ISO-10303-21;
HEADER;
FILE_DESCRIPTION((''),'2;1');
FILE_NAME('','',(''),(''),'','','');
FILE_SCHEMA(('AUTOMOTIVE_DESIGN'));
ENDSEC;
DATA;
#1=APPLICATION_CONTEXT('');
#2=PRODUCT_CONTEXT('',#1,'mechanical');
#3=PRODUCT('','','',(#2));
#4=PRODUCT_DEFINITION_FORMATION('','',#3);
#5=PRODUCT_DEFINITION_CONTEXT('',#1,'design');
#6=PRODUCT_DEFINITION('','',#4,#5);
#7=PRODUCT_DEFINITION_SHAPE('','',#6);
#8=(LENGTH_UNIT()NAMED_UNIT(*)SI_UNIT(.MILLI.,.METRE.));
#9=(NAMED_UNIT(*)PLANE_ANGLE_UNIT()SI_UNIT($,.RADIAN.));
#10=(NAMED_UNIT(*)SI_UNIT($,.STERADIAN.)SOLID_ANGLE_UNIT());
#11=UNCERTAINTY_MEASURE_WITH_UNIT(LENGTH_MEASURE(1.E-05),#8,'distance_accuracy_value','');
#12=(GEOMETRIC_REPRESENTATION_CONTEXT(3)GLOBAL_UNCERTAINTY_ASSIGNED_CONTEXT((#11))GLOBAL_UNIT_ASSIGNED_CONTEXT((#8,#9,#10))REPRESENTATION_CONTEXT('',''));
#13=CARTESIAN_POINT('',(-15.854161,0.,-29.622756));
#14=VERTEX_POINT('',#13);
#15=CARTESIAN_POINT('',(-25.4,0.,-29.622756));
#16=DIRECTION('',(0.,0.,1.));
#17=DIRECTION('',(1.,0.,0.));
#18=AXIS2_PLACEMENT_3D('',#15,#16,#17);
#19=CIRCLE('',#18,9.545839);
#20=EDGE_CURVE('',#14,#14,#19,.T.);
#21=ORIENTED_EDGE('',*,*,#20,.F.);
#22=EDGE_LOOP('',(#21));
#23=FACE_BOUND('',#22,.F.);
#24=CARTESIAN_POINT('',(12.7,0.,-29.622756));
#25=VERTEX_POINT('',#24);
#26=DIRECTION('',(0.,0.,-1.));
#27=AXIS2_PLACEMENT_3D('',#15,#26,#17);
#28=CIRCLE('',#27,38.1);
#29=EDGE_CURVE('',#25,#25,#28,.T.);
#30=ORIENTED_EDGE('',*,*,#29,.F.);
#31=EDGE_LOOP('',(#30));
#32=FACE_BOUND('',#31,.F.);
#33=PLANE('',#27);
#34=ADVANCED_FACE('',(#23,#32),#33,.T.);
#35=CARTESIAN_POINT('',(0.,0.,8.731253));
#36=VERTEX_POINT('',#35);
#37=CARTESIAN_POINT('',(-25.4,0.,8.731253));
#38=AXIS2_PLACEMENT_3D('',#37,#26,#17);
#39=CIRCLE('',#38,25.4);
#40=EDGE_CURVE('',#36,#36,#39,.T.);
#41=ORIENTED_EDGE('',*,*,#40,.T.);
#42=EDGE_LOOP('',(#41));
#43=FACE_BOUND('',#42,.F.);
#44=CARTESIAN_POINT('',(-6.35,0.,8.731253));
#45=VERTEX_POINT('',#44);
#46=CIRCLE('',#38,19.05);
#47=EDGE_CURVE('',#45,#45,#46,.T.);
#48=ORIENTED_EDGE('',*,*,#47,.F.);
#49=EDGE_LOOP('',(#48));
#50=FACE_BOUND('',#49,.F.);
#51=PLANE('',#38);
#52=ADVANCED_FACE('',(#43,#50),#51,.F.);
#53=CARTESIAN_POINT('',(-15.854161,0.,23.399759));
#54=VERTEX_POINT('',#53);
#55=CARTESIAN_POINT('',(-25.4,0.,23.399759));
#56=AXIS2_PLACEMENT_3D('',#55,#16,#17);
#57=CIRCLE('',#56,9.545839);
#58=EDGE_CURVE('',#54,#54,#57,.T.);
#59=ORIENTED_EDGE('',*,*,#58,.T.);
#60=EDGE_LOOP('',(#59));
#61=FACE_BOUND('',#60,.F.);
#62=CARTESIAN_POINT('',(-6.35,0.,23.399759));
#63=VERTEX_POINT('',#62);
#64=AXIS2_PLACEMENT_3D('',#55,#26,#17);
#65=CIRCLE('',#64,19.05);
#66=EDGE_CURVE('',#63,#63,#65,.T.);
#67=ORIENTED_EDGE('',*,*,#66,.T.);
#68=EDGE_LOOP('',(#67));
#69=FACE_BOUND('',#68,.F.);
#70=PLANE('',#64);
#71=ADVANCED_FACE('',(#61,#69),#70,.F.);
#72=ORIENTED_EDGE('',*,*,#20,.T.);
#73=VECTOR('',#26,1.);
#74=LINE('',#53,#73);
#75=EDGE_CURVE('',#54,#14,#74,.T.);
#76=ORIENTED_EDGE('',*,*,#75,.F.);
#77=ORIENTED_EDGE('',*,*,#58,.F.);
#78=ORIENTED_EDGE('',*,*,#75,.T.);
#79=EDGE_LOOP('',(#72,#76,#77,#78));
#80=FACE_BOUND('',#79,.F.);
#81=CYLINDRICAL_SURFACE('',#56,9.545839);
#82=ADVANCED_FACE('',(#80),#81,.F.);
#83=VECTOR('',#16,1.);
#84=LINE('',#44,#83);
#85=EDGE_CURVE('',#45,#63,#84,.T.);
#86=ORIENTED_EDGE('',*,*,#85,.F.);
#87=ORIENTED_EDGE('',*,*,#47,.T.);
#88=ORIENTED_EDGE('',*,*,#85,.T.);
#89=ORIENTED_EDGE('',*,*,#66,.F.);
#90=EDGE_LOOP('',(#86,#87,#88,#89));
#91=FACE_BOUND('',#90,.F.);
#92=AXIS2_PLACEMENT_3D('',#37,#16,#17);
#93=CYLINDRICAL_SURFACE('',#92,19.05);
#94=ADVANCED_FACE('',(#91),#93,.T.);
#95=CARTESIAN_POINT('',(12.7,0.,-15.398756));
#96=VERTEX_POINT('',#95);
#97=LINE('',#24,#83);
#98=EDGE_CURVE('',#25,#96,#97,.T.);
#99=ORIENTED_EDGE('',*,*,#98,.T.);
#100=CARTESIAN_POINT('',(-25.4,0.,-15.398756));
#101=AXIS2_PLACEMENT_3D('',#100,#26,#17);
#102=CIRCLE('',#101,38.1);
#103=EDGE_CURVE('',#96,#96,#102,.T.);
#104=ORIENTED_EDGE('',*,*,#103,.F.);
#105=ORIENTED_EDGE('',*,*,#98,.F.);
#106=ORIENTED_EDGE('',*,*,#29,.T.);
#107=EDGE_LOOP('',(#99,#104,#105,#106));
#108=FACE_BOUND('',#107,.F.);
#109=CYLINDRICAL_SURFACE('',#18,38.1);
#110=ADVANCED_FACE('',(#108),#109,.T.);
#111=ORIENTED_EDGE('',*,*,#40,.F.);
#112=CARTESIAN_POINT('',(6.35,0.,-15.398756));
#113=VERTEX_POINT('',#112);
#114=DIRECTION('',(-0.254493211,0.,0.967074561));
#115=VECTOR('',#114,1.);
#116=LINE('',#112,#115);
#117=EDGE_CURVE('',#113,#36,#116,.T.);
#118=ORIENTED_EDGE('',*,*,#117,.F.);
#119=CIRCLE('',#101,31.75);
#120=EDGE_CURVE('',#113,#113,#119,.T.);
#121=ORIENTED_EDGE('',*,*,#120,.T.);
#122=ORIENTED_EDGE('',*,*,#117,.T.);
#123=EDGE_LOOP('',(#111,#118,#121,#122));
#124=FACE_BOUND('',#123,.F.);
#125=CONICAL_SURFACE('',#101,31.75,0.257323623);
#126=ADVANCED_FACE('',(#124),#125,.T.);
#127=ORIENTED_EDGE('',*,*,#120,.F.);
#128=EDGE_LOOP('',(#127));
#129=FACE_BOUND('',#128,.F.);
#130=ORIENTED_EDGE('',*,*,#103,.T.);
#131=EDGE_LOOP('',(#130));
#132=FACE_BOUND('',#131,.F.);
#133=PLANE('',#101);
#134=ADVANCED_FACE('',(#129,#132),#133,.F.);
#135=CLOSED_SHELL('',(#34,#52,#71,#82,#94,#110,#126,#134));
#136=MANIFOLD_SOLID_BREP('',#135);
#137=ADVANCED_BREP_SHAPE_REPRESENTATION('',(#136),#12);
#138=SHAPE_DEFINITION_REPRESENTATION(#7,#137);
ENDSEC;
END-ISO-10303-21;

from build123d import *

# Parameters (mm, degrees)
F2_R     = 9.545839
F3_DEPTH = 53.023515


with BuildPart() as f1:
    # F0 (on Front) → F1 (revolve)
    with BuildSketch(Plane.XZ):
        Polygon((-6.35, 23.399759), (-25.4, 23.399759), (-25.4, -29.622756), (12.7, -29.622756), (12.7, -15.398756), (6.35, -15.398756), (0, 8.731253), (-6.35, 8.731253), align=None)
    revolve(axis=Axis((-25.4, 0, -3.111498), (0, 0, -1)))

    # F2 (on face) → F3 (cut, through all)
    with BuildSketch(Plane.XY.offset(23.399759)):
        with Locations((-25.4, 0)):
            Circle(F2_R)
    extrude(amount=-F3_DEPTH, mode=Mode.SUBTRACT)


solid = f1.part
